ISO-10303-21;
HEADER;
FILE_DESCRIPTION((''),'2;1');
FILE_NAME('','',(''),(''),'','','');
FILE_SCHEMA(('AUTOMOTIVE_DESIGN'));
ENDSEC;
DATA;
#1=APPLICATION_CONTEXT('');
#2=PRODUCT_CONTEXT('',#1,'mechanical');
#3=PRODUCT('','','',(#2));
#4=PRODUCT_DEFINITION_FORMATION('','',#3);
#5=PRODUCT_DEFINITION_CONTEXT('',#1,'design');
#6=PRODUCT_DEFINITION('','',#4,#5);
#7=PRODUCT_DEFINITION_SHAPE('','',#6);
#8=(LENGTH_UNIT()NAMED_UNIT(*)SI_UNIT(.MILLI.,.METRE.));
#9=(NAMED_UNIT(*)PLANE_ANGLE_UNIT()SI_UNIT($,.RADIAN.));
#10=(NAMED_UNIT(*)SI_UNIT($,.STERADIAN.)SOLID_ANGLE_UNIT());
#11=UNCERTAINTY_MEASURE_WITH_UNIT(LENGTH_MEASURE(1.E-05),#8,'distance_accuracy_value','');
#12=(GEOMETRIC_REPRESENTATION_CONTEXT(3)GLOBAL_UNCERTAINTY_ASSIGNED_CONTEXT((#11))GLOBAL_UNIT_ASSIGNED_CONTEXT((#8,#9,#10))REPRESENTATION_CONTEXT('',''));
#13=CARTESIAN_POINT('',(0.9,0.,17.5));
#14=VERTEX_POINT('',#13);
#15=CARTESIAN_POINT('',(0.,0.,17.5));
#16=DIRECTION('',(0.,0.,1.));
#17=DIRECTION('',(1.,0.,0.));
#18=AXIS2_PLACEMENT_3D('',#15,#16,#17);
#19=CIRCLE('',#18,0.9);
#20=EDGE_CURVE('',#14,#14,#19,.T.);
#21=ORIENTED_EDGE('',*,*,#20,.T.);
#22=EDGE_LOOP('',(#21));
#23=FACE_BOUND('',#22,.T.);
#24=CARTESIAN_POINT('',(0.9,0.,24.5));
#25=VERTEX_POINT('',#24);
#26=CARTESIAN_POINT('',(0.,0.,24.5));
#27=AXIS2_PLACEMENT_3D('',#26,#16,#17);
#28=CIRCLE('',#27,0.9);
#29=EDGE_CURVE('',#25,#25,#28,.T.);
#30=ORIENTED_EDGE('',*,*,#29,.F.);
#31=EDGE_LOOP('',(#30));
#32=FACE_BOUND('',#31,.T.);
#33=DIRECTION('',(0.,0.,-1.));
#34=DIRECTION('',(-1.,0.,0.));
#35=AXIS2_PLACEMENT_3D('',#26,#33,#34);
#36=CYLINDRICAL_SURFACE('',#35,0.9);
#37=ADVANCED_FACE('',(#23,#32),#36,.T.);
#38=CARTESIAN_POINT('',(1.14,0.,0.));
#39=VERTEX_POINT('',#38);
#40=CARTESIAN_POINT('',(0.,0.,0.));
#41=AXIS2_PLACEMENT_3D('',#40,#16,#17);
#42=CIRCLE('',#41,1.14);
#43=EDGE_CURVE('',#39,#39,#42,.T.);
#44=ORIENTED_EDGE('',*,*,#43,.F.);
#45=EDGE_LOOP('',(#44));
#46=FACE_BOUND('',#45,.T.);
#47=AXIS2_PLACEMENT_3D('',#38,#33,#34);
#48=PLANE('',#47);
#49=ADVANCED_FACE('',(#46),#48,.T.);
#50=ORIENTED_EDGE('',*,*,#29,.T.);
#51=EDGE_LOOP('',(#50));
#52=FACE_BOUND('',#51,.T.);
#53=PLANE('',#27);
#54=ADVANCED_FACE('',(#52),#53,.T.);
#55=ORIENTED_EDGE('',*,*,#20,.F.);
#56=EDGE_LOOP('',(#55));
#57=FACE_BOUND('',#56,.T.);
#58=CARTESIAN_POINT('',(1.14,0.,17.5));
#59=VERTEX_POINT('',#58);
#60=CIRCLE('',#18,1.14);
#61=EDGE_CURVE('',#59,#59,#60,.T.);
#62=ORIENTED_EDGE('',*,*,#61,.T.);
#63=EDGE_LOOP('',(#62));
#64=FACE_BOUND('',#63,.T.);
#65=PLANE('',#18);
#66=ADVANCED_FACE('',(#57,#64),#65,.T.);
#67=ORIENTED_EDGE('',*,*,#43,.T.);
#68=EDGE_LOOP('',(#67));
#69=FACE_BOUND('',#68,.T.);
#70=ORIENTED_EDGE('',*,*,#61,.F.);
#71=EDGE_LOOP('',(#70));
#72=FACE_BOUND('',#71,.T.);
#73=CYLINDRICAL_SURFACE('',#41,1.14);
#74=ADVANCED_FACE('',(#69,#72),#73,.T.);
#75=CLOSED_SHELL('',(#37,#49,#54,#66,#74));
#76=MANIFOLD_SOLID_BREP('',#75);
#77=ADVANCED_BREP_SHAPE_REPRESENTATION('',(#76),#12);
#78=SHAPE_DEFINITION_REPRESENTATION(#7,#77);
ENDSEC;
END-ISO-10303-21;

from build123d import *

# Parameters (mm, degrees)
SKETCH1_W           = 1.14
SKETCH1_H           = 17.5
SKETCH2_R           = 0.9
BOSS_EXTRUDE1_DEPTH = 7


with BuildPart() as part:
    # Sketch1 → Revolve1 (revolve)
    with BuildSketch(Plane(origin=(0, 0, 0), x_dir=(1, 0, 0), z_dir=(0, 1, 0))):
        with Locations((0.57, -8.75)):
            Rectangle(SKETCH1_W, SKETCH1_H)
    revolve(axis=Axis((0, 0, 0), (0, 0, 1)))

    # Sketch2 → Boss-Extrude1 (add)
    with BuildSketch(Plane.XY.offset(17.5)):
        Circle(SKETCH2_R)
    extrude(amount=BOSS_EXTRUDE1_DEPTH)


solid = part.part
